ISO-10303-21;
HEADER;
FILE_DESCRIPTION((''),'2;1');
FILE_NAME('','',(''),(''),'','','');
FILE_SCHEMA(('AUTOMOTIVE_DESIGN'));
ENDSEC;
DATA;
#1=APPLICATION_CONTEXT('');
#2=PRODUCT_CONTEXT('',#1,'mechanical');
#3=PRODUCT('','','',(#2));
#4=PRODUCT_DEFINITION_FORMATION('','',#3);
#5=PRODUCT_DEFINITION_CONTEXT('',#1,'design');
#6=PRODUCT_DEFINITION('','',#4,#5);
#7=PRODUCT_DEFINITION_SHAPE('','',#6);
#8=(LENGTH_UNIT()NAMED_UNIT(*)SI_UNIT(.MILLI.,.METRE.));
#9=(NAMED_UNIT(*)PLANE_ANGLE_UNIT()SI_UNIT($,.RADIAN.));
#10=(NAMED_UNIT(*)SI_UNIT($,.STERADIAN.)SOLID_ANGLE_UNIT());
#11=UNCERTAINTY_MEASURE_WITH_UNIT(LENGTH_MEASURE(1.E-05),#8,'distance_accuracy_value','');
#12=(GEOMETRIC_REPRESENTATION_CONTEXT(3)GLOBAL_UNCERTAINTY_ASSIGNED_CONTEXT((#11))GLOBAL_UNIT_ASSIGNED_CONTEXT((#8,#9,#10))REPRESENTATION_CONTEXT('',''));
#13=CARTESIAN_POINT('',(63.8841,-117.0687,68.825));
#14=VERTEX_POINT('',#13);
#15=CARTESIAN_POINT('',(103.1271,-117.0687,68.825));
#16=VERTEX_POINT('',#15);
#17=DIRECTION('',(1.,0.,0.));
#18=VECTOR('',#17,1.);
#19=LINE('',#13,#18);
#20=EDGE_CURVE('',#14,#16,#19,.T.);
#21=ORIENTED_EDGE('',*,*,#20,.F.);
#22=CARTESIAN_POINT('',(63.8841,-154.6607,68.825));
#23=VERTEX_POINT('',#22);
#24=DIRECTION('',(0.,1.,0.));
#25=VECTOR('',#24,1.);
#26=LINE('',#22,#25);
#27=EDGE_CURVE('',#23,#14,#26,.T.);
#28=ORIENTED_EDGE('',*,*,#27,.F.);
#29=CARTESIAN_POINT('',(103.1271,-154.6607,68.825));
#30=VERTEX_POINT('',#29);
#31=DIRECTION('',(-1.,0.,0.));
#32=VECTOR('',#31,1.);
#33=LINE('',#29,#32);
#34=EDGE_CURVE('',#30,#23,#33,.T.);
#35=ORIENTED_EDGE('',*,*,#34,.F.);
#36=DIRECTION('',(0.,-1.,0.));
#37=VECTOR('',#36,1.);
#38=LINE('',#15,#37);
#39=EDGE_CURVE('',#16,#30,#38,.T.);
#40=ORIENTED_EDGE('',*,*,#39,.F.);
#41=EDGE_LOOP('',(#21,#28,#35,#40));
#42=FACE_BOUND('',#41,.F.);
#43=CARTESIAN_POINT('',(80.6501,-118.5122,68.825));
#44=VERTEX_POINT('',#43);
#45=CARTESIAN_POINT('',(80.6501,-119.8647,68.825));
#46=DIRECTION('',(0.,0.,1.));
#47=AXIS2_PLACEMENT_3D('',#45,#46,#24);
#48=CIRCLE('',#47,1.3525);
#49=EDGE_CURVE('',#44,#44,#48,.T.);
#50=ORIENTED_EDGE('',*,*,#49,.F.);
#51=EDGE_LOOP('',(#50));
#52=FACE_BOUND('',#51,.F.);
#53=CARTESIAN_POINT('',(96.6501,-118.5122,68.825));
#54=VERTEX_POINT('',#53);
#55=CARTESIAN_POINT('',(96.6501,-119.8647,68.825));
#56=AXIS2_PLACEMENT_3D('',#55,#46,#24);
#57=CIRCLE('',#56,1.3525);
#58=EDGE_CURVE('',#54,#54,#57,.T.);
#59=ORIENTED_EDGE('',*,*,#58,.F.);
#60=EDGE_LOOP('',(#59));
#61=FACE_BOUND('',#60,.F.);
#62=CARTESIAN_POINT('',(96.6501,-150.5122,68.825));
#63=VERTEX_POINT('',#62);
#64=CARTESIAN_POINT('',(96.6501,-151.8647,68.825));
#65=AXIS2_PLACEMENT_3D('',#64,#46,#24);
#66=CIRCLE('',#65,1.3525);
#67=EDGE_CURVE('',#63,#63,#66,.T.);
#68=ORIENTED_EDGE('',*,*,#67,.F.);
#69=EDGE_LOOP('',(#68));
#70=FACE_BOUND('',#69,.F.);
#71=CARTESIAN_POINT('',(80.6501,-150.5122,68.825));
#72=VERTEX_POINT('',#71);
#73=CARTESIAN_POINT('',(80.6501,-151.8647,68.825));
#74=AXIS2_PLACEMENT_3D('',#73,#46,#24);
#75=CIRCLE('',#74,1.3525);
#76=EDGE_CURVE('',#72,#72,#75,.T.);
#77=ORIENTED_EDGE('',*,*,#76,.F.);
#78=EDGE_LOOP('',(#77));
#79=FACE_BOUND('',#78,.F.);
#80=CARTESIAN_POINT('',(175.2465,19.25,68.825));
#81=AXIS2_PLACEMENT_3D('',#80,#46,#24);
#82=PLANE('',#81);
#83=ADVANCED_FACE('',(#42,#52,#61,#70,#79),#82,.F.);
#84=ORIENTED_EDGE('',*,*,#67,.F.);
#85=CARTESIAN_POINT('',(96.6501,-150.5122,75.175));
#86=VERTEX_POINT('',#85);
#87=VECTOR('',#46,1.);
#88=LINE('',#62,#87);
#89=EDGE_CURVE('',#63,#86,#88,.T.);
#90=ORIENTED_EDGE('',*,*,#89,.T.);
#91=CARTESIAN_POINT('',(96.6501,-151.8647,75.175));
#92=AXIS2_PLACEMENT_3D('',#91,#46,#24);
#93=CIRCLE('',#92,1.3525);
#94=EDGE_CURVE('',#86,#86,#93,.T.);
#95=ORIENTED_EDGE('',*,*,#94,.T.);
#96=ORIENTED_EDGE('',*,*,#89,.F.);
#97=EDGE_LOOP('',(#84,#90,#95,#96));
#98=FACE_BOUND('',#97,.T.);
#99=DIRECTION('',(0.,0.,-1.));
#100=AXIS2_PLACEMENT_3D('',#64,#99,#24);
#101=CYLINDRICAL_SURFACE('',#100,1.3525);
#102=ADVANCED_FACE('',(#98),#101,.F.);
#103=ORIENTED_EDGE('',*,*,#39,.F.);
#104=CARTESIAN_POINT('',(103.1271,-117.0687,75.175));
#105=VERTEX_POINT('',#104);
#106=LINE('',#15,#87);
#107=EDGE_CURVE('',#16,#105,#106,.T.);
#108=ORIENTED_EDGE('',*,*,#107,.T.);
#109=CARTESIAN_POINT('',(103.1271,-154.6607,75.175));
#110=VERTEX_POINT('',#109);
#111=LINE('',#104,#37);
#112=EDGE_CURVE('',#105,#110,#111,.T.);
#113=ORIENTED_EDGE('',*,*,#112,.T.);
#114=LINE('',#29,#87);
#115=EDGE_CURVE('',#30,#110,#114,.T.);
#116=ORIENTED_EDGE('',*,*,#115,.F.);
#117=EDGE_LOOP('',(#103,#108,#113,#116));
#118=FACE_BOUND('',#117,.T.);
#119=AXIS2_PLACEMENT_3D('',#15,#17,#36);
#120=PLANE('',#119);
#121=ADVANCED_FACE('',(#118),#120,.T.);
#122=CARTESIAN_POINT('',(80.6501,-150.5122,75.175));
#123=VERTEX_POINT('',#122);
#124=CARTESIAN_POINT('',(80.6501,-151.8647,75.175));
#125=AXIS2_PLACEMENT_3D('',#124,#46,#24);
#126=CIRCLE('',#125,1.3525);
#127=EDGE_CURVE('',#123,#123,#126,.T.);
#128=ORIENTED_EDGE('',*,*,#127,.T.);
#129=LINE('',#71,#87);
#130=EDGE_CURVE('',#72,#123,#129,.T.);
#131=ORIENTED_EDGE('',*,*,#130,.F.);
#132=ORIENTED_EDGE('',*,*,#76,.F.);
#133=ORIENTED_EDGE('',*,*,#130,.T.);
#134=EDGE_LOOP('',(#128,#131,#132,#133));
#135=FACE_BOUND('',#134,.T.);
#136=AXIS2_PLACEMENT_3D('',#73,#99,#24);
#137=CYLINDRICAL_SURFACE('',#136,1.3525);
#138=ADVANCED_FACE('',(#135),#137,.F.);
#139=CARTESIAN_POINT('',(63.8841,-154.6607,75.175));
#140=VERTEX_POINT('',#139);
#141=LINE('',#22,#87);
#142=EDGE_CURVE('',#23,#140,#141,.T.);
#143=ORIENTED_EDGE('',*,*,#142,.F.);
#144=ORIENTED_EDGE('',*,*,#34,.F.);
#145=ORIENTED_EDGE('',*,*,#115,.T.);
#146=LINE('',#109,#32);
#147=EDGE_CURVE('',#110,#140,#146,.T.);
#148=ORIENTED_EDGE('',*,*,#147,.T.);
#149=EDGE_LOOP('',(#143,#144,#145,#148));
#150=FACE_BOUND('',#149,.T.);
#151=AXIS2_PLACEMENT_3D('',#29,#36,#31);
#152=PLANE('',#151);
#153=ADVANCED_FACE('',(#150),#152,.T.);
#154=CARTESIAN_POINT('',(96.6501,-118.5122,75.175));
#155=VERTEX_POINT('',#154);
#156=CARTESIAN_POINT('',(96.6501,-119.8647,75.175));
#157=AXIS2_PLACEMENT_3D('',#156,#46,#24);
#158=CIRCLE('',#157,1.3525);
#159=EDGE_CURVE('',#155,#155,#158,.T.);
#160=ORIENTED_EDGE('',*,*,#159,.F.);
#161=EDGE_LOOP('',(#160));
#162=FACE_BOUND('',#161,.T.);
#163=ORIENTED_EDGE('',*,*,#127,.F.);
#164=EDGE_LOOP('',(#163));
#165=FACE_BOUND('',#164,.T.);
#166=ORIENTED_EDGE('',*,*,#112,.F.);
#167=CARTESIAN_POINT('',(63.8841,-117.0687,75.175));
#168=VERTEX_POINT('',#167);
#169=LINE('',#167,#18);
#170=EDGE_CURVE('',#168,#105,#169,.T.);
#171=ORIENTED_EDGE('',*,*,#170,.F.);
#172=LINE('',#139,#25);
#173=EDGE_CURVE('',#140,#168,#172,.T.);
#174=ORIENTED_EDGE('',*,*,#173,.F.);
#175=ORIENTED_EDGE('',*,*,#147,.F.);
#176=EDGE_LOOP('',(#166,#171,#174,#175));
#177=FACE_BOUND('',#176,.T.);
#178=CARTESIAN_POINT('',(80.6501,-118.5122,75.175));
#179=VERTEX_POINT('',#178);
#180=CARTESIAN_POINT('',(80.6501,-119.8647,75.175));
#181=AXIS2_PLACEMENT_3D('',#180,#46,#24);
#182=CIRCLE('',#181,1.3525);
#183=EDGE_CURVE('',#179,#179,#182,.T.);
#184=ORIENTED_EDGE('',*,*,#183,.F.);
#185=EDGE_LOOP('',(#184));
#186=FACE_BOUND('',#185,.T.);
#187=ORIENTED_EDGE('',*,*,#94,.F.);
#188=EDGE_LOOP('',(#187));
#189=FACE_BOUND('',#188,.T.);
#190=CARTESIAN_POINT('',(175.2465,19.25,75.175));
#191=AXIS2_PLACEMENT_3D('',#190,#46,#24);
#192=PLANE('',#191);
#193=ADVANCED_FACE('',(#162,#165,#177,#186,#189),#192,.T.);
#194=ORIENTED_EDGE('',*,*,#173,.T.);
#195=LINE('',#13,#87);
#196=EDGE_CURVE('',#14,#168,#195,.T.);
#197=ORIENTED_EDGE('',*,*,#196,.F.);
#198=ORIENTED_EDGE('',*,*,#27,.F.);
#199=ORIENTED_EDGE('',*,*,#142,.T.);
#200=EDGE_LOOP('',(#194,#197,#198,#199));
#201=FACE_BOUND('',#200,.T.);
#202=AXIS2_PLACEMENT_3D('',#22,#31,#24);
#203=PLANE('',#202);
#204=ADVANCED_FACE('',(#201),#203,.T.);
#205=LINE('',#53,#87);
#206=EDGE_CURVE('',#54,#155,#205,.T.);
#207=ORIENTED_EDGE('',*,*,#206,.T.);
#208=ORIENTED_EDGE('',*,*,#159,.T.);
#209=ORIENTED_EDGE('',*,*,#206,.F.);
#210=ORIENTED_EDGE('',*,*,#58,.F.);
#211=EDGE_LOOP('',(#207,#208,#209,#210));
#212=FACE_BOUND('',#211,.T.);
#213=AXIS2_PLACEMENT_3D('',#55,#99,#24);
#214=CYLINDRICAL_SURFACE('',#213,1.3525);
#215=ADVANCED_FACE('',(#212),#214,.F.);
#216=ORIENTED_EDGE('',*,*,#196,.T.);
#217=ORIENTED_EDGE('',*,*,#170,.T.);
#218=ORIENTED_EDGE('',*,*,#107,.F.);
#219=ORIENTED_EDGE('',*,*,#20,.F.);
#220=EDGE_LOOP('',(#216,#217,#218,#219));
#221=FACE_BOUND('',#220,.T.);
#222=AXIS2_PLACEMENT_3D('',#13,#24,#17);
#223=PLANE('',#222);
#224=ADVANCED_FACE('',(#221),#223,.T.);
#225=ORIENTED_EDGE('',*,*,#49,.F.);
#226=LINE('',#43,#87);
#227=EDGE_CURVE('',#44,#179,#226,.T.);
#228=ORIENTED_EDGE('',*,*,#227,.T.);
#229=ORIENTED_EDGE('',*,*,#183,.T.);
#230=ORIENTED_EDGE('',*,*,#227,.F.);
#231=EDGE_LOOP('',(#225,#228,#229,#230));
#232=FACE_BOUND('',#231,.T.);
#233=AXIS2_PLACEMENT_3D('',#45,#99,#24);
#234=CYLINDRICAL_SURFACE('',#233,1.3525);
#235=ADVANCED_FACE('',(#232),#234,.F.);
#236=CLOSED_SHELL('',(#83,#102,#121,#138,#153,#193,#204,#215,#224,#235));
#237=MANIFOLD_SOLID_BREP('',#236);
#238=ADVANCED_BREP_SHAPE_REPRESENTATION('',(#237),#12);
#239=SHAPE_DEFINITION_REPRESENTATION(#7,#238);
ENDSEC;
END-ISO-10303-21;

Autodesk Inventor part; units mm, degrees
ref_plane "YZ Plane" through (0, 0, 0) normal (1, 0, 0) x (0, 1, 0)
ref_plane "XZ Plane" through (0, 0, 0) normal (0, 1, 0) x (-1, 0, 0)
ref_plane "XY Plane" through (0, 0, 0) normal (0, 0, 1) x (1, 0, 0)
ref_plane "Work Plane1" through (175.2465, 19.25, 68.825) normal (0, 0, 1) x (0, 1, 0)
sketch "Sketch1" plane through (175.2465, 19.25, 68.825) normal (0, 0, 1) x (0, 1, 0)
  line L0 (-173.9107, 111.3624) -> (-136.3187, 111.3624) projected
  line L1 (-173.9107, 72.1194) -> (-173.9107, 111.3624) projected
  line L2 (-136.3187, 72.1194) -> (-173.9107, 72.1194) projected
  line L3 (-136.3187, 111.3624) -> (-136.3187, 72.1194) projected
  circle A0 centre (-171.1147, 78.5964) radius 1.3525 projected
  circle A1 centre (-171.1147, 94.5964) radius 1.3525 projected
  circle A2 centre (-139.1147, 78.5964) radius 1.3525 projected
  circle A3 centre (-139.1147, 94.5964) radius 1.3525 projected
  point P0 (-19.25, 175.2465)
extrude "Extrusion1" add sketch "Sketch1" along normal blind 6.35
properties part number "spacer_plate"
